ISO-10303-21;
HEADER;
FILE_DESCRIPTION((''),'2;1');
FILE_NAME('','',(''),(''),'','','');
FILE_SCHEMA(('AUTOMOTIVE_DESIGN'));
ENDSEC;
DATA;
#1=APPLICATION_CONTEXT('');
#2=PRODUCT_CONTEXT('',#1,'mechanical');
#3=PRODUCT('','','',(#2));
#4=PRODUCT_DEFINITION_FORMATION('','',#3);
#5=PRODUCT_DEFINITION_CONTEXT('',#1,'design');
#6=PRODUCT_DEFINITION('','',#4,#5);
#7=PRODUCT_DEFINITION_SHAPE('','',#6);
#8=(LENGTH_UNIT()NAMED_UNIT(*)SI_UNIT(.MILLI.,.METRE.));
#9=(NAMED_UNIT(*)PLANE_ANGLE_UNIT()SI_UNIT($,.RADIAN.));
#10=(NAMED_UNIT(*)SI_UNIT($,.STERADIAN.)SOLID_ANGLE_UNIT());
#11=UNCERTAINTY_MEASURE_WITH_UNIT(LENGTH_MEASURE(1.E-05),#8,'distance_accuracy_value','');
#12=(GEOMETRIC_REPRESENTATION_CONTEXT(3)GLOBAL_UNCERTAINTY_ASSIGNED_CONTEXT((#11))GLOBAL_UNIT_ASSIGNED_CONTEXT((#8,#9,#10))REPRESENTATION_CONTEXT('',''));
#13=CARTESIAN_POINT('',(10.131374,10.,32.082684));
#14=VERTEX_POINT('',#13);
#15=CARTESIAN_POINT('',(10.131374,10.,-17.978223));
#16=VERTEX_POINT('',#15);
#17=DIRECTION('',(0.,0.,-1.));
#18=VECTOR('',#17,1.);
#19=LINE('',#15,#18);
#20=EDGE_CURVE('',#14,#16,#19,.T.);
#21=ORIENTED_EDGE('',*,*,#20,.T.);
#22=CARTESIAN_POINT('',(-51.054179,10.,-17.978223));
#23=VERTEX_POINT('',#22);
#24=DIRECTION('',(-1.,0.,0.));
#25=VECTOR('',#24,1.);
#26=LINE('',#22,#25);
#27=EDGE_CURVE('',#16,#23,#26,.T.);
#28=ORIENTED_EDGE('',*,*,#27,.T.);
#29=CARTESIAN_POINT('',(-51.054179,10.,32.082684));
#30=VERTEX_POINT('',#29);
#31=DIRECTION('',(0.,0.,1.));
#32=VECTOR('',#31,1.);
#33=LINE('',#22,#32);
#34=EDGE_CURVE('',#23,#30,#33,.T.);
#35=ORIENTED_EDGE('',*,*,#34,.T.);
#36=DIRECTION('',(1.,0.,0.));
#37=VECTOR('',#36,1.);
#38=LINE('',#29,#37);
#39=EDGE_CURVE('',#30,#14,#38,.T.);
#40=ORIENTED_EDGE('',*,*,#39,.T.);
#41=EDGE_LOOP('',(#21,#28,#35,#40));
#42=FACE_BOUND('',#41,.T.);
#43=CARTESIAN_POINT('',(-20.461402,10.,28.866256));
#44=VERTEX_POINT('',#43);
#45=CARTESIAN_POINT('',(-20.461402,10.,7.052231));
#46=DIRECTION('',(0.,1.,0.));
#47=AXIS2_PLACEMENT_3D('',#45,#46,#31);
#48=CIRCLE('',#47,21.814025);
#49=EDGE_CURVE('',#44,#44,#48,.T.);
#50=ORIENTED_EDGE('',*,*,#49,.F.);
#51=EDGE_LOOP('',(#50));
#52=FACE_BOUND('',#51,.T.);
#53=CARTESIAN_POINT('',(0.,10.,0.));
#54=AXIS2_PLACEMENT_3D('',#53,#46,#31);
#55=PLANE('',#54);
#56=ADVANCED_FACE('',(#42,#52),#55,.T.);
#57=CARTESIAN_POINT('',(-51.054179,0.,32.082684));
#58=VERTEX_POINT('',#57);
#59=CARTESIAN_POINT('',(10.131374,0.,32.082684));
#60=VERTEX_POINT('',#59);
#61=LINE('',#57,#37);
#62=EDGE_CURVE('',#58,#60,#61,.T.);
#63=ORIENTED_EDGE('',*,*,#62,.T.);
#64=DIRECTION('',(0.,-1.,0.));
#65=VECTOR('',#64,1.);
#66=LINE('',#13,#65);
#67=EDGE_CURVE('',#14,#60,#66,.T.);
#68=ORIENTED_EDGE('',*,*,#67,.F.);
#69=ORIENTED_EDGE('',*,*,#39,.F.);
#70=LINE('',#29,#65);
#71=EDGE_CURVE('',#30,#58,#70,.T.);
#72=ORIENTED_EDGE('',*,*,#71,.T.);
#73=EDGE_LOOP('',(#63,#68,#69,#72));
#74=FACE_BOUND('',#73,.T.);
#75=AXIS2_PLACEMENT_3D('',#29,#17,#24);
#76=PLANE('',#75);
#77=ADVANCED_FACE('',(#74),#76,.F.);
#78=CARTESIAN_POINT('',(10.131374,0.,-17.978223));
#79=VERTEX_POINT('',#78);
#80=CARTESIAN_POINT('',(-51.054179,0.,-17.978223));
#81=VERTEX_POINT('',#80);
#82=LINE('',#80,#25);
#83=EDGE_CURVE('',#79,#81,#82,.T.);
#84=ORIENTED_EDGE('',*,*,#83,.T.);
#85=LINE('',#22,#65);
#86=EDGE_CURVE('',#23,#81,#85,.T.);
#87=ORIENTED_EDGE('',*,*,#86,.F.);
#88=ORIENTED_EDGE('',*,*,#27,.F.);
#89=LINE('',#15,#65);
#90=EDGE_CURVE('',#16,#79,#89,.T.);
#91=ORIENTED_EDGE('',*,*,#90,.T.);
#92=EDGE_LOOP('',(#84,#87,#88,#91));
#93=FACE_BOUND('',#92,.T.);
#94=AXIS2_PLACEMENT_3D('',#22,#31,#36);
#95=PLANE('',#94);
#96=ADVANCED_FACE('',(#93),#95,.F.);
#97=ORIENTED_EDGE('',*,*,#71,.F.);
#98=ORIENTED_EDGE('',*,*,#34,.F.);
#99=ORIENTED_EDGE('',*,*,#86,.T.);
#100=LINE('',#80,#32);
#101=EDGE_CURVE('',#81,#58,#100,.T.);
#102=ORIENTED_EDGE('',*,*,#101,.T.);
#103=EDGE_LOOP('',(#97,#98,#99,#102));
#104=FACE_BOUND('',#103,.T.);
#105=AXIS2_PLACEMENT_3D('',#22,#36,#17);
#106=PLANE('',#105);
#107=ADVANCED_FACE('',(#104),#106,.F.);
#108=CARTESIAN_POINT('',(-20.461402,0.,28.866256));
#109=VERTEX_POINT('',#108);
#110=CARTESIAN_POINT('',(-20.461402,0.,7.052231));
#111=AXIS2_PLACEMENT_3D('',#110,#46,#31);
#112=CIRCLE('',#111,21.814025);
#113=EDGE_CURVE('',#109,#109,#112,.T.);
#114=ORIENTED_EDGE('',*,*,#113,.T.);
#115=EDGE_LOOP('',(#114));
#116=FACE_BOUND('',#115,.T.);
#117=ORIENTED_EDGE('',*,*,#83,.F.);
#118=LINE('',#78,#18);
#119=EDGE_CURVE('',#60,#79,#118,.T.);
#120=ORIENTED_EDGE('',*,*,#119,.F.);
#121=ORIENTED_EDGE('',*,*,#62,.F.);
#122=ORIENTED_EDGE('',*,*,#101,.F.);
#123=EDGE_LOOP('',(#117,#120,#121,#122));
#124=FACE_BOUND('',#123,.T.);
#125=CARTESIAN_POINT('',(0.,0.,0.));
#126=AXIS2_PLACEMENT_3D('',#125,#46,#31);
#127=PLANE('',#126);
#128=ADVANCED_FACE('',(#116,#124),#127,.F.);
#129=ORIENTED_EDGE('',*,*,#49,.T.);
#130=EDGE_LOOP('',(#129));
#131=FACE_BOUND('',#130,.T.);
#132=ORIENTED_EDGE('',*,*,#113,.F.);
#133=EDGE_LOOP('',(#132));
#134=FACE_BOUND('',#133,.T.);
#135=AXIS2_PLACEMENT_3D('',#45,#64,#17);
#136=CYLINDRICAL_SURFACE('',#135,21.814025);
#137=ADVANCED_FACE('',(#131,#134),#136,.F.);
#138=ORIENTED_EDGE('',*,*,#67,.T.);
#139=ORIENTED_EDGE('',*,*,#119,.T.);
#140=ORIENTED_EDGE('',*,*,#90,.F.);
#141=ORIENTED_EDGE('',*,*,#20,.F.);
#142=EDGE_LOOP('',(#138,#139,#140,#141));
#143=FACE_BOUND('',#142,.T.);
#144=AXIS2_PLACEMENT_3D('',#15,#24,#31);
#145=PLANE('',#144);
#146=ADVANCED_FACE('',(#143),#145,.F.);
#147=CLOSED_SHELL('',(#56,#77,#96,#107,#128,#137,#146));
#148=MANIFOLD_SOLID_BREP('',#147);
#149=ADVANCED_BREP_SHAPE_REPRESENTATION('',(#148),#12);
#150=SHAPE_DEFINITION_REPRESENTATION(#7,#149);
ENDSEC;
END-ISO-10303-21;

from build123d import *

# Parameters (mm, degrees)
SKETCH1_W           = 61.185553074
SKETCH1_H           = 50.06090706
SKETCH1_R           = 21.814025344
BOSS_EXTRUDE1_DEPTH = 10


with BuildPart() as part:
    # Sketch1 → Boss-Extrude1 (new body)
    with BuildSketch(Plane(origin=(0, 0, 0), x_dir=(1, 0, 0), z_dir=(0, 1, 0))):
        with Locations((-20.461402489, -7.052230955)):
            Rectangle(SKETCH1_W, SKETCH1_H)
        with Locations(Location((-20.461402489, -7.052230955, 0), (0, 0, 270))):
            Circle(SKETCH1_R, mode=Mode.SUBTRACT)
    extrude(amount=BOSS_EXTRUDE1_DEPTH)


solid = part.part
